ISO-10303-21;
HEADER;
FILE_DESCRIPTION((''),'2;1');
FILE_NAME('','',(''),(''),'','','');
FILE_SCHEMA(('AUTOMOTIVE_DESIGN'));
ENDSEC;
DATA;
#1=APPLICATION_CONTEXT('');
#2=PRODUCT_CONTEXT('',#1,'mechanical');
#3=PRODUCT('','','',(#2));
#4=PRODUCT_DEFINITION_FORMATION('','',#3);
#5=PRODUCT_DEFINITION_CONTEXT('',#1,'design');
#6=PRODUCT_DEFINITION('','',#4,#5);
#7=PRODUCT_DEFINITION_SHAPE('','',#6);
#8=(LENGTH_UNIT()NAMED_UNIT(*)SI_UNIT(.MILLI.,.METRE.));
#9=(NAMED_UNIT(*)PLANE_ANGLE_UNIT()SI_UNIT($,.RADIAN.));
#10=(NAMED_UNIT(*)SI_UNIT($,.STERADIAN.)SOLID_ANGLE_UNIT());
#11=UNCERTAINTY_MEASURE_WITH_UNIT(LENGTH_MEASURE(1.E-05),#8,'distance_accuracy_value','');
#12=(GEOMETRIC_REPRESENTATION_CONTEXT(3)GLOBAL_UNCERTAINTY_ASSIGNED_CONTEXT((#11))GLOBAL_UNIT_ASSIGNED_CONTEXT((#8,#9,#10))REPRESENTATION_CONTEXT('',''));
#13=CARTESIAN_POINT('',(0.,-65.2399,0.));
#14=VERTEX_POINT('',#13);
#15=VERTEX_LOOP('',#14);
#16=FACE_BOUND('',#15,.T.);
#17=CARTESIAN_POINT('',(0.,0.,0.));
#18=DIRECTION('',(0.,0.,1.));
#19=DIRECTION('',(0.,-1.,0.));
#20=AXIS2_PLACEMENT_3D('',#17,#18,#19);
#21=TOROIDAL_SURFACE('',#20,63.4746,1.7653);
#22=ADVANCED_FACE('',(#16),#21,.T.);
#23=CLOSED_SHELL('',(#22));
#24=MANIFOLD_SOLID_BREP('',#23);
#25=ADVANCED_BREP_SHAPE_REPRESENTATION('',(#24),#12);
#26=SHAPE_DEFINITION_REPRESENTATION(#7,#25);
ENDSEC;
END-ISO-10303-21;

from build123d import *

# Parameters (mm, degrees)
SKETCH2_R = 1.7653


with BuildPart() as part:
    # Sketch2 → Revolve1 (revolve)
    with BuildSketch(Plane(origin=(0, 0, 0), x_dir=(0, 0, -1), z_dir=(1, 0, 0)), mode=Mode.PRIVATE) as revolve1_sk:
        with Locations((0, 63.4746)):
            Circle(SKETCH2_R)
    revolve(revolve1_sk.sketch.rotate(Axis((0, 0, 61.7093), (0, 0, -1)), 180), axis=Axis((0, 0, 61.7093), (0, 0, -1)))


solid = part.part
